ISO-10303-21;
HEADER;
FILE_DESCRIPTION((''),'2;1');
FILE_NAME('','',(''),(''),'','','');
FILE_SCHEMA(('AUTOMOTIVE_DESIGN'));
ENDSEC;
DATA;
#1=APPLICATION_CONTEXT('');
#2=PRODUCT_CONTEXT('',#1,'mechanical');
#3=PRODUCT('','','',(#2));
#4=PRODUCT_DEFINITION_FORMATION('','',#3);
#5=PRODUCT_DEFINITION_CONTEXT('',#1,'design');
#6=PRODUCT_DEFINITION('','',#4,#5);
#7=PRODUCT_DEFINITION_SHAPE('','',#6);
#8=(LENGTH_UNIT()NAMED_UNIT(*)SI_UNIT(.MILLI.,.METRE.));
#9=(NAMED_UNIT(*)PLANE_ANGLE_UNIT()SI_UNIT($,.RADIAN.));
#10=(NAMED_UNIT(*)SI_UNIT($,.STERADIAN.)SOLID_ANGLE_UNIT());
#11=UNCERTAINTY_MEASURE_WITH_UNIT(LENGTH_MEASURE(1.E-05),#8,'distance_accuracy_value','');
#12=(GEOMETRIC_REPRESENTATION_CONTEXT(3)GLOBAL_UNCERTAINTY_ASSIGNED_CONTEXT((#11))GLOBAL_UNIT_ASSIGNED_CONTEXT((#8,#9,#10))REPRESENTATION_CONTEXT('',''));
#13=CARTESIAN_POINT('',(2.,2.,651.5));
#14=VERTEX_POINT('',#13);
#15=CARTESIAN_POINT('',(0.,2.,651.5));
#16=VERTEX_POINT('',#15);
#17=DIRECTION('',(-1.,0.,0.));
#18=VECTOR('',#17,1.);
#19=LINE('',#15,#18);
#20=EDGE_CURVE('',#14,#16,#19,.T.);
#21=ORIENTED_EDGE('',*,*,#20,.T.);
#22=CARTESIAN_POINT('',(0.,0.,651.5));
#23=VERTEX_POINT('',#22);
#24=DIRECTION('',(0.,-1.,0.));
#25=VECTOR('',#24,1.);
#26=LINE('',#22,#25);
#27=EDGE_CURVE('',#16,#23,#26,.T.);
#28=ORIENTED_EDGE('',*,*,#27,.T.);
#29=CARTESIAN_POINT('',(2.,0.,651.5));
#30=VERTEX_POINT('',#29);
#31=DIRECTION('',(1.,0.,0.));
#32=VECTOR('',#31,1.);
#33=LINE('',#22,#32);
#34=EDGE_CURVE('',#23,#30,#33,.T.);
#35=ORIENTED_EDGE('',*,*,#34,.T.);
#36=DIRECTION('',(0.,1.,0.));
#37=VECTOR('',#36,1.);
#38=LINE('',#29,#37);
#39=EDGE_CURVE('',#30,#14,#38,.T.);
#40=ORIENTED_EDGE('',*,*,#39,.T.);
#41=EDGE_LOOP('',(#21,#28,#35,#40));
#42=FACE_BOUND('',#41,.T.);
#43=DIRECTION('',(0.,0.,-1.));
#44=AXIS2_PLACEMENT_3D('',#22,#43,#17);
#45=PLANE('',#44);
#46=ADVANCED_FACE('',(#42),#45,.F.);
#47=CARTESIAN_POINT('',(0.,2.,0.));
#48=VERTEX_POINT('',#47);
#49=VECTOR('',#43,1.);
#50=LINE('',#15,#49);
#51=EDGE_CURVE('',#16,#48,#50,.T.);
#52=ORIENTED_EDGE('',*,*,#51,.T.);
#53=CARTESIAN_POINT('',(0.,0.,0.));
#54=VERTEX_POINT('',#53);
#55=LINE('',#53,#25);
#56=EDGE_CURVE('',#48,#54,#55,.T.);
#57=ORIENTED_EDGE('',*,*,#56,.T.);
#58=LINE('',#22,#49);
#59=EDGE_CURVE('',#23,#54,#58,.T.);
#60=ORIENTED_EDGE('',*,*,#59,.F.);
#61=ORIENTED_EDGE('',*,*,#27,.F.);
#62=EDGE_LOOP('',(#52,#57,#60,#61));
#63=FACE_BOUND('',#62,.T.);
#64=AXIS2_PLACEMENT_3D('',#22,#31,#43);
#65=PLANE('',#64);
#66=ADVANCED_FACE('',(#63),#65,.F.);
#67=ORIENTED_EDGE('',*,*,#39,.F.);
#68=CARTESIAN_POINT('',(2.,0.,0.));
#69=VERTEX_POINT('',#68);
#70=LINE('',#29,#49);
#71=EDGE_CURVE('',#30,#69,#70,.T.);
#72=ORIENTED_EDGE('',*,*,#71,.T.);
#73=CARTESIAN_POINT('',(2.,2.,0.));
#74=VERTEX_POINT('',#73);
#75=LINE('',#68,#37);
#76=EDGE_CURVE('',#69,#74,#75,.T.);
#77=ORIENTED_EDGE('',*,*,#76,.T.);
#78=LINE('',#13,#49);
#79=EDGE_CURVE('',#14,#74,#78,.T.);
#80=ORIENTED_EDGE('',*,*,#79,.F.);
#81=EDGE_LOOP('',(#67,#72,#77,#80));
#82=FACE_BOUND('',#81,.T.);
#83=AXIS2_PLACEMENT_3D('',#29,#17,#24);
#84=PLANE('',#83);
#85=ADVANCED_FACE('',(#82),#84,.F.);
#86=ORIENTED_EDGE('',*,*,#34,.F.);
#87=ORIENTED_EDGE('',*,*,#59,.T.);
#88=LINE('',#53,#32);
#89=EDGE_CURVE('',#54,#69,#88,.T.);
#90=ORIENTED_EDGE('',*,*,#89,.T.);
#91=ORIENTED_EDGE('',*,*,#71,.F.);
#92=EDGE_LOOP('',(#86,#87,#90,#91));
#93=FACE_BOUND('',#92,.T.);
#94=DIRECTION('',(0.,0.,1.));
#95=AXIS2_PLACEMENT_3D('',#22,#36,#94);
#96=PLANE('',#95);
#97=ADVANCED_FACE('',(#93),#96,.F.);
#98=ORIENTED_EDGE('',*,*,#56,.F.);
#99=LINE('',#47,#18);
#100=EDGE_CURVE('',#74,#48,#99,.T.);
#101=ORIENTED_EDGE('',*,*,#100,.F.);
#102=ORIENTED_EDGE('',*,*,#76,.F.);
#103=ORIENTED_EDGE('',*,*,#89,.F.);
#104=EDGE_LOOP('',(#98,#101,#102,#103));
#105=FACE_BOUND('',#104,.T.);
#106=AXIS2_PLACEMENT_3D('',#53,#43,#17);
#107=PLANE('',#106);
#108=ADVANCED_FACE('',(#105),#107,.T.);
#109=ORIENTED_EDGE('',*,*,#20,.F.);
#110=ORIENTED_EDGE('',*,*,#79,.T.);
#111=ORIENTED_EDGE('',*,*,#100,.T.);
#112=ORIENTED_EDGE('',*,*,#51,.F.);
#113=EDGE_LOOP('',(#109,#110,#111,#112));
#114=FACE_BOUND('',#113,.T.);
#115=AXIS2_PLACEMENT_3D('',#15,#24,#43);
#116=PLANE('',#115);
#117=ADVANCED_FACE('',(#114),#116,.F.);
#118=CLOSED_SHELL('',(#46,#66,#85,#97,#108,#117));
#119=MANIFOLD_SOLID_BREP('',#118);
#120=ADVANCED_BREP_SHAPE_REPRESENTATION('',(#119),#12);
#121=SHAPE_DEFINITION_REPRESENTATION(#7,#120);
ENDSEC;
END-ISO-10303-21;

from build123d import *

# Parameters (mm, degrees)
SKETCH_1_W      = 2
SKETCH_1_H      = 2
EXTRUDE_1_DEPTH = 651.5


with BuildPart() as part:
    # 草图1 → 凸台-拉伸1 (new body)
    with BuildSketch(Plane.XY):
        with Locations((1, 1)):
            Rectangle(SKETCH_1_W, SKETCH_1_H)
    extrude(amount=EXTRUDE_1_DEPTH)


solid = part.part
